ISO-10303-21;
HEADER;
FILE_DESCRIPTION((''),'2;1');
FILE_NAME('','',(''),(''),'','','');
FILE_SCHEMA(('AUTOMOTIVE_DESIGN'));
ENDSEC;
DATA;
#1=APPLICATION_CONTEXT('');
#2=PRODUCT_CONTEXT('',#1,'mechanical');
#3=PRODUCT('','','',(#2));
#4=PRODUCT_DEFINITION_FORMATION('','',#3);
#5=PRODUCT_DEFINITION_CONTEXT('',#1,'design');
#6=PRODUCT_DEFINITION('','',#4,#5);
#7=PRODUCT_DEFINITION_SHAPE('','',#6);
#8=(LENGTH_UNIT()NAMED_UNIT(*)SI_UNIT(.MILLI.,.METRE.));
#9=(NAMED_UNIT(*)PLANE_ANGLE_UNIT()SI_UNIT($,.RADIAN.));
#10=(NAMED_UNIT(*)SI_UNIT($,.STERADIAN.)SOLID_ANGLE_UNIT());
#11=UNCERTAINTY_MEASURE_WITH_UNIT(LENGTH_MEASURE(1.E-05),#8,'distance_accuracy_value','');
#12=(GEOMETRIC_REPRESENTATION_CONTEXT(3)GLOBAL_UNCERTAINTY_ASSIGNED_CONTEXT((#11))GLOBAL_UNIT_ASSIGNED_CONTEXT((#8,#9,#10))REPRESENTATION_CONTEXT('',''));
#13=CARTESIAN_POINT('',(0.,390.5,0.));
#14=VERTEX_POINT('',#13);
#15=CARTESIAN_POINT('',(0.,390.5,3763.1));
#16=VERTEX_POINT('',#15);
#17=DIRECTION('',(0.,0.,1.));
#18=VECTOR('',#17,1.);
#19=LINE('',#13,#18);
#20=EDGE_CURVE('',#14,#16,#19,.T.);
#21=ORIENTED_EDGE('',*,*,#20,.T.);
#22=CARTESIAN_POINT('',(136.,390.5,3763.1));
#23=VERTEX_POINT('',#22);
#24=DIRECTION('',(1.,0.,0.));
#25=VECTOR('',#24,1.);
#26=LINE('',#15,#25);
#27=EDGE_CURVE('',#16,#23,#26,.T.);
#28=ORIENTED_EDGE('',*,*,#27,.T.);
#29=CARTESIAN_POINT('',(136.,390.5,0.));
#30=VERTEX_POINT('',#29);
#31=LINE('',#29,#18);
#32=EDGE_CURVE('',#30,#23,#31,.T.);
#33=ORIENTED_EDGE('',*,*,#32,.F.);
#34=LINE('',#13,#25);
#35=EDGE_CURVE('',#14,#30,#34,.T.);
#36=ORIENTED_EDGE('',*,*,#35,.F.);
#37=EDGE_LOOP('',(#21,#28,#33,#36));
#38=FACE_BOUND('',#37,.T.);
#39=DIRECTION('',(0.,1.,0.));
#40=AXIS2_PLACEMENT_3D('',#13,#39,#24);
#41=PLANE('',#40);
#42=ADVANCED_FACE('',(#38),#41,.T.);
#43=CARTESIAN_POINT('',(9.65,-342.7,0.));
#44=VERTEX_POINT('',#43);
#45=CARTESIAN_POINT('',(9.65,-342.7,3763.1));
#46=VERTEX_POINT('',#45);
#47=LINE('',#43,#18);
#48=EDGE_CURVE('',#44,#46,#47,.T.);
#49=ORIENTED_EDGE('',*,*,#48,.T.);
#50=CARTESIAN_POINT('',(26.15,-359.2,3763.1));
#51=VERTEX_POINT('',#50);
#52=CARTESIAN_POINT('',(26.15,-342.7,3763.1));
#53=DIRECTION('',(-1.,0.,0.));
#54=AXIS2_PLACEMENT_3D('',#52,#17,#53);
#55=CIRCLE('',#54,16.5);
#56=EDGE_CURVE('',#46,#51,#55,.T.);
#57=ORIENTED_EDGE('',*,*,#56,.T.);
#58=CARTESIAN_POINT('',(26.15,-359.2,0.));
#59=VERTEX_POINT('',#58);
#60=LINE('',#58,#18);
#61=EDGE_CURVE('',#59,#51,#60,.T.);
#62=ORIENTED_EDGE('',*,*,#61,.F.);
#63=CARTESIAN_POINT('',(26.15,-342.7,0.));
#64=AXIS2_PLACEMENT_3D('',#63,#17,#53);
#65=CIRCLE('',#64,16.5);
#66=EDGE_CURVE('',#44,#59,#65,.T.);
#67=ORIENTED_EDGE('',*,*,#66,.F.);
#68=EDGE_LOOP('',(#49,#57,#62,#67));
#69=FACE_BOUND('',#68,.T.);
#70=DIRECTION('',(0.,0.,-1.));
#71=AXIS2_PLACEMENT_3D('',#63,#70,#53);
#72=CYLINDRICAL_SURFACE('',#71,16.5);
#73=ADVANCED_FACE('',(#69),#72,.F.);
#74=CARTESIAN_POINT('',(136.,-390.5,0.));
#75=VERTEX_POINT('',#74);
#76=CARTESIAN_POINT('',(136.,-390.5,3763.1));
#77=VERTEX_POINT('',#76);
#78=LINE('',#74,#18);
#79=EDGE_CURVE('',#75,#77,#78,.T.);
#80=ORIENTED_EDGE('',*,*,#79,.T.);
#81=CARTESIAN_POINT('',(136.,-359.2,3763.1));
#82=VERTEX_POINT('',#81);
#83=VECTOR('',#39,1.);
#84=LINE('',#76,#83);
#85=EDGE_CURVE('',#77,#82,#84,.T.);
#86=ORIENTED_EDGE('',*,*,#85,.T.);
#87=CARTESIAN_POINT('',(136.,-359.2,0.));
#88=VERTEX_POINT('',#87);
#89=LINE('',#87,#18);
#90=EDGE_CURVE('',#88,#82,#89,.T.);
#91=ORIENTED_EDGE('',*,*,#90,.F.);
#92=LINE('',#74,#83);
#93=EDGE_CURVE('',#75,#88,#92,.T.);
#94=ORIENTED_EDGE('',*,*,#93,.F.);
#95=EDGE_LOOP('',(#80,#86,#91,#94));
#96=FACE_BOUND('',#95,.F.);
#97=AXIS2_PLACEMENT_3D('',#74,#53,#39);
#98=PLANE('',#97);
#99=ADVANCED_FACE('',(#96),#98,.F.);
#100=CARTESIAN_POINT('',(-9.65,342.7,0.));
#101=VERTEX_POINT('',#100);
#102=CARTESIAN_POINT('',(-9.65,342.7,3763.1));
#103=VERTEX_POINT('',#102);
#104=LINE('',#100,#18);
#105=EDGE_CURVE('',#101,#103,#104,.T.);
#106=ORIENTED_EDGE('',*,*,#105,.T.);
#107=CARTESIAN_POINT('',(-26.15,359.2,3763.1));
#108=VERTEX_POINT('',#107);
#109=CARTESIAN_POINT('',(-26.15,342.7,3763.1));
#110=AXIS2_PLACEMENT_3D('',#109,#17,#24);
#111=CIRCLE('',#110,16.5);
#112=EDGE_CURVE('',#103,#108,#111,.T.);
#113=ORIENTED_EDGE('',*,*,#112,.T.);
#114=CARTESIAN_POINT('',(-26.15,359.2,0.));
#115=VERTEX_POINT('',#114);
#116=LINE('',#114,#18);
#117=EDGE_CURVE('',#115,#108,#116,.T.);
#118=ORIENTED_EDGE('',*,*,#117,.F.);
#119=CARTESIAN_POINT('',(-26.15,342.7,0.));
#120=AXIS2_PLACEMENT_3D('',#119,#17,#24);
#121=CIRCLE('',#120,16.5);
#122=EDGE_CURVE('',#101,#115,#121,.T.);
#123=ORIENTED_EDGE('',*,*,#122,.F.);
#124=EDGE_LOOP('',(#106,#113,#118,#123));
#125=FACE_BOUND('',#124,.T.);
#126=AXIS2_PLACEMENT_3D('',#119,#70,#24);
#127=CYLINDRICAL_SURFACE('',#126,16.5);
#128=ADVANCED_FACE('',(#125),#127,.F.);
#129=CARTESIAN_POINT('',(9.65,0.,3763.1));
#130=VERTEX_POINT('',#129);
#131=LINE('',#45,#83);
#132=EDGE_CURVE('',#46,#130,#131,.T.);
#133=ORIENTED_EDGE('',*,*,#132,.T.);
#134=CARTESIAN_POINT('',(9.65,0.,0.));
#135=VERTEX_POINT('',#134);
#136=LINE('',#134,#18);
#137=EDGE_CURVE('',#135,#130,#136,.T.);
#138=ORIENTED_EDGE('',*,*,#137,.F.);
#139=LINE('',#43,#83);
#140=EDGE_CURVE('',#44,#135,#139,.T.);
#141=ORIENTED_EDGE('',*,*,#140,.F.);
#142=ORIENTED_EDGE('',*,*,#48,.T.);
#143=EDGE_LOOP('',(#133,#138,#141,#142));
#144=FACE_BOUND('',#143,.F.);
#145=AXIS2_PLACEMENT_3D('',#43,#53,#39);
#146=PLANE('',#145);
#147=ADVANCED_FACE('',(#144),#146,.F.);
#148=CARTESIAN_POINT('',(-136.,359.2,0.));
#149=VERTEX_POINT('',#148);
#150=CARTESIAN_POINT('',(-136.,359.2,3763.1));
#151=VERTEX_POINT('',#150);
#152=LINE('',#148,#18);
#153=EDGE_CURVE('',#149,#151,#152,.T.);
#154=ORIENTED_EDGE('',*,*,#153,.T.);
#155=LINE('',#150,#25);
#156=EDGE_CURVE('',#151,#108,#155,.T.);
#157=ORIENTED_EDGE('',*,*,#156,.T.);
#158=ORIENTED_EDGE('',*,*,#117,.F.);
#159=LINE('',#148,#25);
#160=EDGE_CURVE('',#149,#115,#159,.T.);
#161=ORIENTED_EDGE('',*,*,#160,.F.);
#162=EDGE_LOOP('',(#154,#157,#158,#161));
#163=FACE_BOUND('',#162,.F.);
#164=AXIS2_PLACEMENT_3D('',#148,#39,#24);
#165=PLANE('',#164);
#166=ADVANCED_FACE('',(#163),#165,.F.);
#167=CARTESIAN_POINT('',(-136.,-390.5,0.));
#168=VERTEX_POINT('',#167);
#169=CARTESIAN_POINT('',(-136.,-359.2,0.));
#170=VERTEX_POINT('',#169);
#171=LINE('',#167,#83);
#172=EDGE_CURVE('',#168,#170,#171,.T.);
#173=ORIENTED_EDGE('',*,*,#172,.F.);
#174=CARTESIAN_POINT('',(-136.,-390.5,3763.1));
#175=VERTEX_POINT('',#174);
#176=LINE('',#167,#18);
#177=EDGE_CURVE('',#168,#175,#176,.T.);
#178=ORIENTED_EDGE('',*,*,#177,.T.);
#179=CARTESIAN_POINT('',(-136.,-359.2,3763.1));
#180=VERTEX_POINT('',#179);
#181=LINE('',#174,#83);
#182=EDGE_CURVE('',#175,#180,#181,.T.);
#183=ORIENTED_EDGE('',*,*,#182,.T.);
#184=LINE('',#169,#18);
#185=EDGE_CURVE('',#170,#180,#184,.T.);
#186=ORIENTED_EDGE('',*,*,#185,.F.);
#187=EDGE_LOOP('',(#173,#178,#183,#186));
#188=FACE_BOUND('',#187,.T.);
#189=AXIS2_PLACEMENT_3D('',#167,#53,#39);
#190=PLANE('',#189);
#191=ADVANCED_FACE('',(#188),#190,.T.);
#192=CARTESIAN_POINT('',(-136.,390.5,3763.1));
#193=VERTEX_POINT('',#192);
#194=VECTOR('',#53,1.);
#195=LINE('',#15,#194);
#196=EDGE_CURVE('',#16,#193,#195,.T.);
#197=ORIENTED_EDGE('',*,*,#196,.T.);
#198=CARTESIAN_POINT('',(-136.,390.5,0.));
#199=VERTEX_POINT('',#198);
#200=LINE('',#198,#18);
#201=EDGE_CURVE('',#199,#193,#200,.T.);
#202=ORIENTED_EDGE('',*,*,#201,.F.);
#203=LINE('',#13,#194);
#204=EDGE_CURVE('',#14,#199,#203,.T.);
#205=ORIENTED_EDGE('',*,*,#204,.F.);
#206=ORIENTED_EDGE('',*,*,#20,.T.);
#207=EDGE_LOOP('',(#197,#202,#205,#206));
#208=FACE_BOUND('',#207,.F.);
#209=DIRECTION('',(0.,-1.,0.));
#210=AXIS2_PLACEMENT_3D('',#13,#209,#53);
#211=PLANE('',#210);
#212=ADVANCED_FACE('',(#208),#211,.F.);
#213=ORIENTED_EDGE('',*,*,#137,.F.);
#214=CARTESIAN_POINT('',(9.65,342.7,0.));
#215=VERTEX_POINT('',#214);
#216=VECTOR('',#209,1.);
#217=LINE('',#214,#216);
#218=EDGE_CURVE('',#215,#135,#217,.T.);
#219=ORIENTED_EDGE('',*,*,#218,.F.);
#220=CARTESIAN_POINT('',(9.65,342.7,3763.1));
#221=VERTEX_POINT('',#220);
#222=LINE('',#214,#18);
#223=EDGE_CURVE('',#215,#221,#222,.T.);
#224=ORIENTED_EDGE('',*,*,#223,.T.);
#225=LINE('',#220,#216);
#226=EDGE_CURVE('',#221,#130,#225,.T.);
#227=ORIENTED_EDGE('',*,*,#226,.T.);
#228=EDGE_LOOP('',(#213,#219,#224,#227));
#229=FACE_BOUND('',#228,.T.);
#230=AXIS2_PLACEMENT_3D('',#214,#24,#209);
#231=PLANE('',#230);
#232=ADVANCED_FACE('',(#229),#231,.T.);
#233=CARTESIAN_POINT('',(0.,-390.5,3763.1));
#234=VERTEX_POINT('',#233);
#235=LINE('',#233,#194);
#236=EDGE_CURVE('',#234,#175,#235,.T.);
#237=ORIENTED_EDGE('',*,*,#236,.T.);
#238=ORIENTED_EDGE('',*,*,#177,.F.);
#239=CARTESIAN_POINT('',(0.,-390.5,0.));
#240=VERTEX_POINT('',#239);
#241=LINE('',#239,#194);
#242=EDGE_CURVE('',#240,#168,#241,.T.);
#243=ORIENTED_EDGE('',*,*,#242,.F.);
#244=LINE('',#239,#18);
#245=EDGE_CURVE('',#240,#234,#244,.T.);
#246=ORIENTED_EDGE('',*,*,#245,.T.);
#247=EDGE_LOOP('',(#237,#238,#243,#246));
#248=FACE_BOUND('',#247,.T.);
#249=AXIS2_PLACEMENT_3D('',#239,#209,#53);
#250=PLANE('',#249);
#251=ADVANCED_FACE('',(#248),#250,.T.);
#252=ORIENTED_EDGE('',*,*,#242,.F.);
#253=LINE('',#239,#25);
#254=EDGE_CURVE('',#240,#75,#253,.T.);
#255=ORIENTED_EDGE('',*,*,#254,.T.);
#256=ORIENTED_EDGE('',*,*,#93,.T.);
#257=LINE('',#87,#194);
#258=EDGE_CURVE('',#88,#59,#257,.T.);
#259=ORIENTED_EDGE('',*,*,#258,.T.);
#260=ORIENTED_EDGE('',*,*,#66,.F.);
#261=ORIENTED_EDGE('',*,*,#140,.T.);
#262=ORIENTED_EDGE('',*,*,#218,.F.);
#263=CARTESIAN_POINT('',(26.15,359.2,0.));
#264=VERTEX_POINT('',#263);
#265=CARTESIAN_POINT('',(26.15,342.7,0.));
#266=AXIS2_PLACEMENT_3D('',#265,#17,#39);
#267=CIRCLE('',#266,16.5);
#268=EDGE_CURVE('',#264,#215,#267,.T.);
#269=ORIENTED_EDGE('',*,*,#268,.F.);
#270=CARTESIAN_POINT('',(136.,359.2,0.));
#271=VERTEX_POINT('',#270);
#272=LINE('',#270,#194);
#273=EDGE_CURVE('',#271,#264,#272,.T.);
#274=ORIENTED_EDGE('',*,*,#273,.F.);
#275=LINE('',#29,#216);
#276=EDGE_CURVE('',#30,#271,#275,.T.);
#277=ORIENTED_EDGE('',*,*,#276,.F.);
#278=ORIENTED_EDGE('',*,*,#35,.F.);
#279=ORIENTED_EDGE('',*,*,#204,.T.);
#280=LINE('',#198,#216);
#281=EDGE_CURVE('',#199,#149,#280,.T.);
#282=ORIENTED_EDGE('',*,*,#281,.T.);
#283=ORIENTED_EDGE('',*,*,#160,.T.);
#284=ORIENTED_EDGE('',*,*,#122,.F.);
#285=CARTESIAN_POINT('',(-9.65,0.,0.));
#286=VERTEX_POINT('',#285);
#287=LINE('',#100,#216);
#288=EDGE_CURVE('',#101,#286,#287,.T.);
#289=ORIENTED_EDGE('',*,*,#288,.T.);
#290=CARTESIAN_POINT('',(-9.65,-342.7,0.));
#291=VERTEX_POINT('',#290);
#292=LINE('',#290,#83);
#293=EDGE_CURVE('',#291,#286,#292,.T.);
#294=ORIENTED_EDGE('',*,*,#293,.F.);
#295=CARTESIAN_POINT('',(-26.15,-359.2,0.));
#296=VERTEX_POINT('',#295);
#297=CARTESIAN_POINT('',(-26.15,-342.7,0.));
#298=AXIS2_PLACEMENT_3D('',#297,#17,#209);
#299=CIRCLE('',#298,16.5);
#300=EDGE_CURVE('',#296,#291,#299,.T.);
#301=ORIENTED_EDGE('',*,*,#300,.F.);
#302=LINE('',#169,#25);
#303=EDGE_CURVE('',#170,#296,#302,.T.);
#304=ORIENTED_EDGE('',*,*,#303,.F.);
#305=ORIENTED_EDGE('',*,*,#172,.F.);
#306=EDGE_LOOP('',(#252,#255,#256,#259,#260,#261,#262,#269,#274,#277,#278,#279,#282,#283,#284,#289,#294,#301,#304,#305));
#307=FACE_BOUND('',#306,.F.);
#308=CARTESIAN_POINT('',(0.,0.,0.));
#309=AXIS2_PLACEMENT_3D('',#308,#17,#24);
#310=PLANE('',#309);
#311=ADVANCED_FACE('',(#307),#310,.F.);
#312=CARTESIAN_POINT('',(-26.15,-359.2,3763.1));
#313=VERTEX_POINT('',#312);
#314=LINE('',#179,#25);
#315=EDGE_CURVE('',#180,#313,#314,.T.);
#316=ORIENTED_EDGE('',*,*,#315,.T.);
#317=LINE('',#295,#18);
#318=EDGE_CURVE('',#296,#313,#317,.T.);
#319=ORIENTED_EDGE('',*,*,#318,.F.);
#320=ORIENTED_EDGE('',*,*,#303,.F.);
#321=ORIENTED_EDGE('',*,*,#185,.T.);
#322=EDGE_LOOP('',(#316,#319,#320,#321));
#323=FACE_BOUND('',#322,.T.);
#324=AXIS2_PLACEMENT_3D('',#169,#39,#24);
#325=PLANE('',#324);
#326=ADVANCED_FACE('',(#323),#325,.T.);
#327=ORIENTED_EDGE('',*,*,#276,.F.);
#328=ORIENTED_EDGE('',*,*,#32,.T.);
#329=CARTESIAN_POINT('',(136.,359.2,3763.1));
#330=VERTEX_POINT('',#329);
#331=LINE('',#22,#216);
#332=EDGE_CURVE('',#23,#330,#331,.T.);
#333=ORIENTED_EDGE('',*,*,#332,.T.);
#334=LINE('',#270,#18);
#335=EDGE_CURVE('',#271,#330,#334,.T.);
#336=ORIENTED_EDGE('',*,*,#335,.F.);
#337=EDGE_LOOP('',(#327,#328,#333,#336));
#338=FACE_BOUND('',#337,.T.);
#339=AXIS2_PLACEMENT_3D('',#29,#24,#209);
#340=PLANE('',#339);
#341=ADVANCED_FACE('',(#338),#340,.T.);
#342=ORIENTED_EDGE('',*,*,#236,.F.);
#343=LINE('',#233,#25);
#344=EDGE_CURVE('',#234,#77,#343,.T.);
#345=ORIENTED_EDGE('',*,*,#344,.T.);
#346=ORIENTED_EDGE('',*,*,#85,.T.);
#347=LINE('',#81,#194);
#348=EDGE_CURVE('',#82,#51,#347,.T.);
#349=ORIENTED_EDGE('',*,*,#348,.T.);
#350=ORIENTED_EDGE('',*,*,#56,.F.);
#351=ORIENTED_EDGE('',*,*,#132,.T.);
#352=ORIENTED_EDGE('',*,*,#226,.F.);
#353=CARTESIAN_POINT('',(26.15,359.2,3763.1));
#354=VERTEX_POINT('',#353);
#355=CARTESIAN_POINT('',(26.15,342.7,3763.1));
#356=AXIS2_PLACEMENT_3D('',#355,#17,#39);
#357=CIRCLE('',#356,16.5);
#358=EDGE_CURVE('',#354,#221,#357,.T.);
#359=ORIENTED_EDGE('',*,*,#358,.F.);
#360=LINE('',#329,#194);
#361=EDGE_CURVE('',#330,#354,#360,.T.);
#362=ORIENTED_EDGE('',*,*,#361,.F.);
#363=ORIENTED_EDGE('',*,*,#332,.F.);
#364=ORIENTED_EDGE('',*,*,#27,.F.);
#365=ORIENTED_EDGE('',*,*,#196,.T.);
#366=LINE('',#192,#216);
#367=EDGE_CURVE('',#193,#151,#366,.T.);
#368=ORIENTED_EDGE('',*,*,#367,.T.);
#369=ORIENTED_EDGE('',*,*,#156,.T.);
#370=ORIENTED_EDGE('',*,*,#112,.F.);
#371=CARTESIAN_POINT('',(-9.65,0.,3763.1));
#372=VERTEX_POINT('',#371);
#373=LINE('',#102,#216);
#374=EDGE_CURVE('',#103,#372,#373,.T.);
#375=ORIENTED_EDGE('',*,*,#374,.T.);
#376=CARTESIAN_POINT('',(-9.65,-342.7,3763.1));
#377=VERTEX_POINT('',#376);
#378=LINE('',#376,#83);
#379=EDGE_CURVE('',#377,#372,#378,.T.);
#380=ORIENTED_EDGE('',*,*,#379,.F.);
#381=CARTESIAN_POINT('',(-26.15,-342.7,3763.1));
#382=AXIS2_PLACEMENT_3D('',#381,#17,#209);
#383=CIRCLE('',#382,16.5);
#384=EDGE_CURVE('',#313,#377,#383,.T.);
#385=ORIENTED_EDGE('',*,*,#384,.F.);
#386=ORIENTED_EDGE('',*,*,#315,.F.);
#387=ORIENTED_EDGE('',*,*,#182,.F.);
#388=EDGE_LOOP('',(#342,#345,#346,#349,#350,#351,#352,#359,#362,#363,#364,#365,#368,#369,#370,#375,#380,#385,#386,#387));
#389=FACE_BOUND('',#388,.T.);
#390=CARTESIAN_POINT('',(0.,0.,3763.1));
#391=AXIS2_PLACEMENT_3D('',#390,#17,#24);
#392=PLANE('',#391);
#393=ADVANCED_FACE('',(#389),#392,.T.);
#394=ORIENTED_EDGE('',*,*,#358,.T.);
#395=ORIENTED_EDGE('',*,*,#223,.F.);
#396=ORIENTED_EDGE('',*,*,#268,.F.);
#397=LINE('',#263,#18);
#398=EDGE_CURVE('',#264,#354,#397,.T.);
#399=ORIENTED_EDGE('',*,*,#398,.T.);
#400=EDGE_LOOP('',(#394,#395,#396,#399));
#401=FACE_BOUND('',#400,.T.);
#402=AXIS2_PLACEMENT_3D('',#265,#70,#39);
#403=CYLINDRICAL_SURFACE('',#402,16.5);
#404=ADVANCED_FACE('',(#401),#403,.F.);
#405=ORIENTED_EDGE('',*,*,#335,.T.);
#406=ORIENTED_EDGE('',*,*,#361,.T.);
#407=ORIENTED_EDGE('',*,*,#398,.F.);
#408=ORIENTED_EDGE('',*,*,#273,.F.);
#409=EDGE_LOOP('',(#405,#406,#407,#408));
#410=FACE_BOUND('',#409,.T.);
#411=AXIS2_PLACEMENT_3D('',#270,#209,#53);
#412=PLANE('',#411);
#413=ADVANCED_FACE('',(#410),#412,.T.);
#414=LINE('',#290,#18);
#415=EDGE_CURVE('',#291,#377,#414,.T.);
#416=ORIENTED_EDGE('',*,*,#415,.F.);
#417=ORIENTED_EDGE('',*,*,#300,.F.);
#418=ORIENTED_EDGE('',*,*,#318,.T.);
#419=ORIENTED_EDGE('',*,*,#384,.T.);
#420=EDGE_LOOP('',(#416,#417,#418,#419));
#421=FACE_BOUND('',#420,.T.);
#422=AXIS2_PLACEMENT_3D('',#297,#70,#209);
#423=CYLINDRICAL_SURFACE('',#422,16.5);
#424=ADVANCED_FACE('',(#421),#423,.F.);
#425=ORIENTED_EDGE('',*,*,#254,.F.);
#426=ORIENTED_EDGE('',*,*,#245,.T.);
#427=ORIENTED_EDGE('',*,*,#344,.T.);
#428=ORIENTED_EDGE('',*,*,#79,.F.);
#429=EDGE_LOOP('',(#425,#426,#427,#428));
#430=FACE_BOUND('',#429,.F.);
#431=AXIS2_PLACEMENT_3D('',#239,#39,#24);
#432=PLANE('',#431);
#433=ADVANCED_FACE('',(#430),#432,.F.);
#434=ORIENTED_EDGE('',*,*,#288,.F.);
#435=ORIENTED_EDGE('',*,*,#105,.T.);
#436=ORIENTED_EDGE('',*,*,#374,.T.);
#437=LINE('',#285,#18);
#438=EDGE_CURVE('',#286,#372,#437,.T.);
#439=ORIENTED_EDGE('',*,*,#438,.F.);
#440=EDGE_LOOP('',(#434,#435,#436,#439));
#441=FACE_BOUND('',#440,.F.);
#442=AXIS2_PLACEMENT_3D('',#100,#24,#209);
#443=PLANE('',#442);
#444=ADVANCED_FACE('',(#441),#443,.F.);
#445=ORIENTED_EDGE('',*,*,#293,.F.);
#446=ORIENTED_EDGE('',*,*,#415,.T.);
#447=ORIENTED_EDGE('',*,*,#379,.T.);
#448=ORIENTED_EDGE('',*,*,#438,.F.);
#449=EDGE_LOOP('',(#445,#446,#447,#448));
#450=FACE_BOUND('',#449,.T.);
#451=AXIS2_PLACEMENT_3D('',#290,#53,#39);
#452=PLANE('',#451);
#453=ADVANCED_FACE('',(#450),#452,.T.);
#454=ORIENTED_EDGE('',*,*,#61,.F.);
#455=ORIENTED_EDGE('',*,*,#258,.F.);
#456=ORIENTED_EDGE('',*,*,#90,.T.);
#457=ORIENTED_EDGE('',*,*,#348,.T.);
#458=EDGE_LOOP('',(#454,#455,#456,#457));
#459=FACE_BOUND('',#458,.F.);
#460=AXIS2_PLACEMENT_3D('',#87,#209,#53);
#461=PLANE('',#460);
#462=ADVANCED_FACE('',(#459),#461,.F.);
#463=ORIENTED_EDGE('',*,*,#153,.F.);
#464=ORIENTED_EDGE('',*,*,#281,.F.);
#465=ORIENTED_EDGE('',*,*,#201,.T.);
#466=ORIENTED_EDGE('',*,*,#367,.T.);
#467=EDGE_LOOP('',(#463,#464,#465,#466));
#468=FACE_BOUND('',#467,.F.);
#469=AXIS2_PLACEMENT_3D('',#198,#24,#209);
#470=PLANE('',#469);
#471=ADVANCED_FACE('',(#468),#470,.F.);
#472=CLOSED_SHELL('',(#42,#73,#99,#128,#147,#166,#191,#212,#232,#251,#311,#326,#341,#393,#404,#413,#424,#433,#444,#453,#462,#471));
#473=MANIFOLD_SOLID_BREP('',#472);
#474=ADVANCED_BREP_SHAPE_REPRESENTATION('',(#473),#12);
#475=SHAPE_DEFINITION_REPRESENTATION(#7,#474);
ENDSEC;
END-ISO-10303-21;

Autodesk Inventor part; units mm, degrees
ref_plane "YZ Plane" through (0, 0, 0) normal (1, 0, 0) x (0, 1, 0)
ref_plane "Start plane" through (0, 0, 0) normal (0, 0, 1) x (1, 0, 0)
ref_plane "End plane" through (0, 0, 3763.1) normal (0, 0, 1) x (1, 0, 0)
sketch "Sketch" plane through (0, 0, 0) normal (0, 0, 1) x (1, 0, 0)
  line L0 (-136, -390.5) -> (-136, -359.2)
  line L1 (-136, -359.2) -> (-26.15, -359.2)
  line L2 (-9.65, -342.7) -> (-9.65, 0)
  line L3 (-9.65, 0) -> (0, 0) construction
  line L4 (0, 0) -> (0, -390.5) construction
  line L5 (0, -390.5) -> (-136, -390.5)
  line L6 (-60, 0) -> (80, 0) construction
  line L7 (0, -60) -> (0, 80) construction
  line L8 (136, -390.5) -> (136, -359.2)
  line L9 (136, -359.2) -> (26.15, -359.2)
  line L10 (9.65, -342.7) -> (9.65, 0)
  line L11 (9.65, 0) -> (0, 0) construction
  line L12 (0, -390.5) -> (136, -390.5)
  line L13 (-136, 390.5) -> (-136, 359.2)
  line L14 (-136, 359.2) -> (-26.15, 359.2)
  line L15 (-9.65, 342.7) -> (-9.65, 0)
  line L16 (0, 390.5) -> (-136, 390.5)
  line L17 (136, 390.5) -> (136, 359.2)
  line L18 (136, 359.2) -> (26.15, 359.2)
  line L19 (0, 390.5) -> (136, 390.5)
  line L20 (9.65, 342.7) -> (9.65, 0)
  arc A0 (-9.65, 342.7) -> (-26.15, 359.2) centre (-26.15, 342.7) ccw
  arc A1 (26.15, 359.2) -> (9.65, 342.7) centre (26.15, 342.7) ccw
  arc A2 (9.65, -342.7) -> (26.15, -359.2) centre (26.15, -342.7) ccw
  arc A3 (-26.15, -359.2) -> (-9.65, -342.7) centre (-26.15, -342.7) ccw
  line L21 (0, 108) -> (0, -88) construction
  line L22 (-88, 0) -> (108, 0) construction
  point P0 (-9.65, -359.2)
  point P1 (9.65, -359.2)
  point P2 (-9.65, 359.2)
  point P3 (9.65, 359.2)
  dimension "d1" = 390.5
  dimension "d2" = 31.3
  dimension "d3" = 136
  dimension "d4" = 9.65
  dimension "d10" = 16.5
extrude "Body" add sketch "Sketch" along normal up to surface (3763.1 mm away) from surface at 0
sketch "Sketch4" plane through (0, 0, 0) normal (0, 0, 1) x (1, 0, 0)
  line L0 (0, 0) -> (10, 0)
ref_plane "Work Plane3" through (0, 0, 0) normal (0, -1, 0) x (1, 0, 0)
sketch "Sketch5" plane through (0, 0, 0) normal (0, -1, 0) x (1, 0, 0)
  line L0 (-2, 0) -> (12, 0) projected
  line L1 (-2, 3763.1) -> (12, 3763.1) projected
  dimension "d14" = 3763.1
equation "\"d1\" = 0.5 * G_H"
equation "\"d2\" = G_T1"
equation "\"d3\" = 0.5 * G_W"
equation "\"d4\" = 0.5 * G_T"
equation "\"d10\" = G_IR"
equation "\"d5\" = G_L"
equation "\"G_W\" = 272"
equation "\"G_H\" = 781"
equation "\"G_T\" = 19.3"
equation "\"G_T1\" = 31.3"
equation "\"G_IR\" = 16.5"
equation "\"G_L\" = d14"
equation "\"G_OFFSET_START\" = 0"
equation "\"G_OFFSET_END\" = 0"
equation "\"d12\" = G_OFFSET_END + B_L"
equation "\"B_L\" = 3763.1"
properties part number "AS 3679-1990 - 760 UB - 244 - 3763.1" material "Steel, Mild"
